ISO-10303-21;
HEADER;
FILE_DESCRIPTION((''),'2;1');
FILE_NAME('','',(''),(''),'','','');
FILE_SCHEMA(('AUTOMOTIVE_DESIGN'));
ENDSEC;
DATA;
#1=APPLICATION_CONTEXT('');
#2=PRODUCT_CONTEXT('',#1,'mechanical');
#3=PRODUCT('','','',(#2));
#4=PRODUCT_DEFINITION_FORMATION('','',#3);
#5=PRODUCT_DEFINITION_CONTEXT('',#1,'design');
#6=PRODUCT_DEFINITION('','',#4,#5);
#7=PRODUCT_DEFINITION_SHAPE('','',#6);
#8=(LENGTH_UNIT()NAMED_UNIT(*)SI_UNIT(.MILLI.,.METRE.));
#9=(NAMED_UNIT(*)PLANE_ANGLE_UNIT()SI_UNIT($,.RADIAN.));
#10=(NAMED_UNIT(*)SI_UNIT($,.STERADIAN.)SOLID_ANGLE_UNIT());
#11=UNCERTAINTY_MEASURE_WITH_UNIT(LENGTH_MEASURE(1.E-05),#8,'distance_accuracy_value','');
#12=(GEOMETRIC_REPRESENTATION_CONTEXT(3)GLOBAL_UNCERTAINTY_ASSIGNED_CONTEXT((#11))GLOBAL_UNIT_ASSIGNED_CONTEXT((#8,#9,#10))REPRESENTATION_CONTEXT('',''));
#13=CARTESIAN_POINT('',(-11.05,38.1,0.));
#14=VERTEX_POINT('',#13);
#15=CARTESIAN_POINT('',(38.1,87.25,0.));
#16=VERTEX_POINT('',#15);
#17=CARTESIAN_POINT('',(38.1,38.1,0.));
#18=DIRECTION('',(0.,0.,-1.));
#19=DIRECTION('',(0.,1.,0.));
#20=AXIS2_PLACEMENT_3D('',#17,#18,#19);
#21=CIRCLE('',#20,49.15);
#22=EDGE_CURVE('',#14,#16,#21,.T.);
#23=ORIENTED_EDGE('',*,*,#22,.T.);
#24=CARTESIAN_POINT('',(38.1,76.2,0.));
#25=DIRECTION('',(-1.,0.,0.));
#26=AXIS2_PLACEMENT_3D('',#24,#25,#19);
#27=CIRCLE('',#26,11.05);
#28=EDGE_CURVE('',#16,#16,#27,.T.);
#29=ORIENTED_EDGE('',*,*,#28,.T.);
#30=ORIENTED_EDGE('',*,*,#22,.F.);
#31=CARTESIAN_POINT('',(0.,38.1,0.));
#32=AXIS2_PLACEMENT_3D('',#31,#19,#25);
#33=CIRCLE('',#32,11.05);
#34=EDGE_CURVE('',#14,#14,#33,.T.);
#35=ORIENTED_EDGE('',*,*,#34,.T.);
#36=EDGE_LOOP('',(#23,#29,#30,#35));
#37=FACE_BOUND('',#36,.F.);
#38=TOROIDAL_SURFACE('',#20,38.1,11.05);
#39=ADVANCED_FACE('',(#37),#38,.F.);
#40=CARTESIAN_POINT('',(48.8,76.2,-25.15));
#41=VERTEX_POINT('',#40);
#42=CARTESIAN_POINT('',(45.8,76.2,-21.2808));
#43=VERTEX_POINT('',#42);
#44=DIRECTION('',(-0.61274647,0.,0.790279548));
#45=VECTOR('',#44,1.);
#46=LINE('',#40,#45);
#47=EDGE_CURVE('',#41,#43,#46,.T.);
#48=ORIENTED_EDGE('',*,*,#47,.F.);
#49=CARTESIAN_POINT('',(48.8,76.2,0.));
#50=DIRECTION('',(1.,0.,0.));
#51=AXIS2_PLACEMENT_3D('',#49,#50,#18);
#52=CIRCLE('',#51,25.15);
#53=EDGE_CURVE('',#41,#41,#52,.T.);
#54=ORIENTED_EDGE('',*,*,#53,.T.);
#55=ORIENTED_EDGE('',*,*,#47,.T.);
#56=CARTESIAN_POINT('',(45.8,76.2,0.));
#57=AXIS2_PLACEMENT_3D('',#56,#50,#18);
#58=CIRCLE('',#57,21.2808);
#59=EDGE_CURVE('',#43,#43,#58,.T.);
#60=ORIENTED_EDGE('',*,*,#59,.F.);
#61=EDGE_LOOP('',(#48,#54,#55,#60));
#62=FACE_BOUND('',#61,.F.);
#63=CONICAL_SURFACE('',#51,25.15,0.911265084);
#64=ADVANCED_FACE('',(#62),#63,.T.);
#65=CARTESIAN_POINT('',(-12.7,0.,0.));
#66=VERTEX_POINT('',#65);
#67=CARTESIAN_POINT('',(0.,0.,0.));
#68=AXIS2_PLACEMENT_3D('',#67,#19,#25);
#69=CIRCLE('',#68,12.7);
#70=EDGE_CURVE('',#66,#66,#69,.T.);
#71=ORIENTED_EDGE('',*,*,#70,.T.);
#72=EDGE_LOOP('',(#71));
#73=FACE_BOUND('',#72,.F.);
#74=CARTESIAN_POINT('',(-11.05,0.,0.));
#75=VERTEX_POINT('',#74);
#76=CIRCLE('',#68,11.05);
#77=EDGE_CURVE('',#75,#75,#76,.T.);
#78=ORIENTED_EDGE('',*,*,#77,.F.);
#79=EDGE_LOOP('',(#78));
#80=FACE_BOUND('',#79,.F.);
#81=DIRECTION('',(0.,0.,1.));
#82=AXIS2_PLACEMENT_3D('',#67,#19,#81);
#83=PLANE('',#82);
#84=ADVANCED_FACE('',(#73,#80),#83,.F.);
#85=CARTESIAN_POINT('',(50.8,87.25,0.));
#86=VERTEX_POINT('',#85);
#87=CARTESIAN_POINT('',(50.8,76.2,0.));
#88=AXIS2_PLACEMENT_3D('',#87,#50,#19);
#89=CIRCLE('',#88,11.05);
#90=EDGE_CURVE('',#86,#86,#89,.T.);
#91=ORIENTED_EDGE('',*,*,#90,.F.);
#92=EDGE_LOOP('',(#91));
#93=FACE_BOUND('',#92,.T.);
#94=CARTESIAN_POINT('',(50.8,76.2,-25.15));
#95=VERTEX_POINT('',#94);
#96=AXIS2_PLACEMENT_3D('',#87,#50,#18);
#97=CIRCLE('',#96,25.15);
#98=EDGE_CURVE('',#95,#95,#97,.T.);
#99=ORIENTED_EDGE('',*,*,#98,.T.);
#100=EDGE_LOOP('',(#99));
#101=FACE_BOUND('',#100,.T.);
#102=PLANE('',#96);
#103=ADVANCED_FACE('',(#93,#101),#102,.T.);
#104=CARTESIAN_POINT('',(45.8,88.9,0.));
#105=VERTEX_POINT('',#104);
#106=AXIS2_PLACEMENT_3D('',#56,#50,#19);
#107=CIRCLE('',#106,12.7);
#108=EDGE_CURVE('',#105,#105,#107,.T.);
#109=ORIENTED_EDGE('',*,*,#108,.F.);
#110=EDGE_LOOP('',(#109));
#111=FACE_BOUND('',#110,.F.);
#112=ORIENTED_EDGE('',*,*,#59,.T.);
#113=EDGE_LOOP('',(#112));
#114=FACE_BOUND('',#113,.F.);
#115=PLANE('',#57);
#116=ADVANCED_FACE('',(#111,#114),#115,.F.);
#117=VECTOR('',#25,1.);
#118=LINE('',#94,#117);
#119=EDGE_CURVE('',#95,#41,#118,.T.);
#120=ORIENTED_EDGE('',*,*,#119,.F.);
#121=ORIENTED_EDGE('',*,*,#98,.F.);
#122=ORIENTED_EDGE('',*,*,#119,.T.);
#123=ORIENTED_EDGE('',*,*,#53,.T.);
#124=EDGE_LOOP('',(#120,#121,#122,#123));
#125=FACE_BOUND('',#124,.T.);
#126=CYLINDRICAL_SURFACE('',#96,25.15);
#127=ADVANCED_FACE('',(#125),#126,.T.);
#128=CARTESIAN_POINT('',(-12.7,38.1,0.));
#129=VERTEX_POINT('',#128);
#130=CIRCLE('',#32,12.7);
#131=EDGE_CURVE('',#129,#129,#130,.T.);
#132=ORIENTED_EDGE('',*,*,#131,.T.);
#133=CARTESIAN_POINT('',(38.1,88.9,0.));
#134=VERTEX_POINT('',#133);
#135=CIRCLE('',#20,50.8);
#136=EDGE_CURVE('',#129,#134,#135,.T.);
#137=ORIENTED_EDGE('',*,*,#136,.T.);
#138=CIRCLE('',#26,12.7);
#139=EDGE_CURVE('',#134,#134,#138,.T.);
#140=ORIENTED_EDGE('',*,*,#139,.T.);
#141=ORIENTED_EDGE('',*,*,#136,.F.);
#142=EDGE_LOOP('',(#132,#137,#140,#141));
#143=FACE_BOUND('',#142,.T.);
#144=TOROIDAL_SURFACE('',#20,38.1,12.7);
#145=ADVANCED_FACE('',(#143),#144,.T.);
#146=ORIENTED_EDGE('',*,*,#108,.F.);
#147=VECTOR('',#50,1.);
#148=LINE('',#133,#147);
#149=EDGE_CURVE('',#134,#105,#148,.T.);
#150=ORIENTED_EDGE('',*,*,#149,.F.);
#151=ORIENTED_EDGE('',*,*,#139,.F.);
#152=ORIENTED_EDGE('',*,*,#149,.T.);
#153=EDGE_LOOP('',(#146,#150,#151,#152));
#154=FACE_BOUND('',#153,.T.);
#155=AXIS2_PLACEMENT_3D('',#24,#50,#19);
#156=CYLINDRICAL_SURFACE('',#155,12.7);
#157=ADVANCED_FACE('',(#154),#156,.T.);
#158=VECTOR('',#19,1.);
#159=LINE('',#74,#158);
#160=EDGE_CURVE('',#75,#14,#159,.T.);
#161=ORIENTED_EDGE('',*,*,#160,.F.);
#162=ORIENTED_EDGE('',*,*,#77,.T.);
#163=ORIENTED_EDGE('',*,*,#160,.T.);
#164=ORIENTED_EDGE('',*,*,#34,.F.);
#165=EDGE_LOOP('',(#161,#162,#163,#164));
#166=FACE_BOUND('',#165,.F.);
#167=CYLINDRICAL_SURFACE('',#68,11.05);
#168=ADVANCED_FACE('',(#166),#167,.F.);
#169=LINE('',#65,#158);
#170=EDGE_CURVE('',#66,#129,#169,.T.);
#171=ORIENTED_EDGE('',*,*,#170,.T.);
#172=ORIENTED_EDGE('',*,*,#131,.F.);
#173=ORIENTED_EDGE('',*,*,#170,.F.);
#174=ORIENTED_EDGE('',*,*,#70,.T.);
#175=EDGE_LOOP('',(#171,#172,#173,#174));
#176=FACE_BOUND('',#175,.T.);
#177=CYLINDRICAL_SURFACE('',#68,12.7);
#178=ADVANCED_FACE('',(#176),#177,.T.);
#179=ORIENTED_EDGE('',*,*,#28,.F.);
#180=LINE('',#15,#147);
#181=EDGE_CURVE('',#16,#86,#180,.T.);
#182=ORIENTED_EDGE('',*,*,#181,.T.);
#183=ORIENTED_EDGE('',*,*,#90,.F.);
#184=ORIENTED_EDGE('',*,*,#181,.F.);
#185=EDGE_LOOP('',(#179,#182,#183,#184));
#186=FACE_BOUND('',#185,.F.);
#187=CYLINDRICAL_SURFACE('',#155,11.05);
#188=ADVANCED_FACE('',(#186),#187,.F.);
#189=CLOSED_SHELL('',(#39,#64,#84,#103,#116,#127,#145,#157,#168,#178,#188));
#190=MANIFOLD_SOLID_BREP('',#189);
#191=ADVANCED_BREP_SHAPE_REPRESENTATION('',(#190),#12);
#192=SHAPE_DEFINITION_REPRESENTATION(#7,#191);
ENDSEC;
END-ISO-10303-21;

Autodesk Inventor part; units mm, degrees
ref_plane "YZ Plane" through (0, 0, 0) normal (1, 0, 0) x (0, 1, 0)
ref_plane "XZ Plane" through (0, 0, 0) normal (0, 1, 0) x (-1, 0, 0)
ref_plane "XY Plane" through (0, 0, 0) normal (0, 0, 1) x (1, 0, 0)
sketch "Sketch1" plane through (0, 0, 0) normal (0, 0, 1) x (1, 0, 0)
  line L0 (0, 0) -> (0, 38.1)
  line L1 (38.1, 76.2) -> (50.8, 76.2)
  arc A0 (38.1, 76.2) -> (0, 38.1) centre (38.1, 38.1) ccw
  dimension "d1" = 76.2
  dimension "d2" = 50.8
  dimension "d4" = 38.1
sketch "Sketch2" plane through (0, 0, 0) normal (0, 1, 0) x (-1, 0, 0)
  circle A0 centre (0, 0) radius 12.7
  circle A1 centre (0, 0) radius 11.05
  dimension "d3" = 25.4
  dimension "d11" = 1.65
sweep "Sweep1" add profiles "Sketch2" path "Sketch1"
sketch "Sketch3" plane through (50.8, 76.2, 0) normal (1, 0, 0) x (0, 0, -1)
  circle A0 centre (0, 0) radius 12.7 projected
  circle A1 centre (0, 0) radius 25.15
  point P0 (0, -76.2)
  dimension "d6" = 50.3
extrude "Extrusion1" add sketch "Sketch3" against normal blind 5
chamfer "Chamfer1" distance 3 distance2 3.8692 1 edges at (45.8, 76.2, 25.15) measured on face at (47.4667, 72.1657, -24.8243)
equation "\"d4\" = 0.75 * d2"
equation "\"d15\" = 0.0769231 * d6"
properties part number "Ferrule 90 deg Elb-25.4"
